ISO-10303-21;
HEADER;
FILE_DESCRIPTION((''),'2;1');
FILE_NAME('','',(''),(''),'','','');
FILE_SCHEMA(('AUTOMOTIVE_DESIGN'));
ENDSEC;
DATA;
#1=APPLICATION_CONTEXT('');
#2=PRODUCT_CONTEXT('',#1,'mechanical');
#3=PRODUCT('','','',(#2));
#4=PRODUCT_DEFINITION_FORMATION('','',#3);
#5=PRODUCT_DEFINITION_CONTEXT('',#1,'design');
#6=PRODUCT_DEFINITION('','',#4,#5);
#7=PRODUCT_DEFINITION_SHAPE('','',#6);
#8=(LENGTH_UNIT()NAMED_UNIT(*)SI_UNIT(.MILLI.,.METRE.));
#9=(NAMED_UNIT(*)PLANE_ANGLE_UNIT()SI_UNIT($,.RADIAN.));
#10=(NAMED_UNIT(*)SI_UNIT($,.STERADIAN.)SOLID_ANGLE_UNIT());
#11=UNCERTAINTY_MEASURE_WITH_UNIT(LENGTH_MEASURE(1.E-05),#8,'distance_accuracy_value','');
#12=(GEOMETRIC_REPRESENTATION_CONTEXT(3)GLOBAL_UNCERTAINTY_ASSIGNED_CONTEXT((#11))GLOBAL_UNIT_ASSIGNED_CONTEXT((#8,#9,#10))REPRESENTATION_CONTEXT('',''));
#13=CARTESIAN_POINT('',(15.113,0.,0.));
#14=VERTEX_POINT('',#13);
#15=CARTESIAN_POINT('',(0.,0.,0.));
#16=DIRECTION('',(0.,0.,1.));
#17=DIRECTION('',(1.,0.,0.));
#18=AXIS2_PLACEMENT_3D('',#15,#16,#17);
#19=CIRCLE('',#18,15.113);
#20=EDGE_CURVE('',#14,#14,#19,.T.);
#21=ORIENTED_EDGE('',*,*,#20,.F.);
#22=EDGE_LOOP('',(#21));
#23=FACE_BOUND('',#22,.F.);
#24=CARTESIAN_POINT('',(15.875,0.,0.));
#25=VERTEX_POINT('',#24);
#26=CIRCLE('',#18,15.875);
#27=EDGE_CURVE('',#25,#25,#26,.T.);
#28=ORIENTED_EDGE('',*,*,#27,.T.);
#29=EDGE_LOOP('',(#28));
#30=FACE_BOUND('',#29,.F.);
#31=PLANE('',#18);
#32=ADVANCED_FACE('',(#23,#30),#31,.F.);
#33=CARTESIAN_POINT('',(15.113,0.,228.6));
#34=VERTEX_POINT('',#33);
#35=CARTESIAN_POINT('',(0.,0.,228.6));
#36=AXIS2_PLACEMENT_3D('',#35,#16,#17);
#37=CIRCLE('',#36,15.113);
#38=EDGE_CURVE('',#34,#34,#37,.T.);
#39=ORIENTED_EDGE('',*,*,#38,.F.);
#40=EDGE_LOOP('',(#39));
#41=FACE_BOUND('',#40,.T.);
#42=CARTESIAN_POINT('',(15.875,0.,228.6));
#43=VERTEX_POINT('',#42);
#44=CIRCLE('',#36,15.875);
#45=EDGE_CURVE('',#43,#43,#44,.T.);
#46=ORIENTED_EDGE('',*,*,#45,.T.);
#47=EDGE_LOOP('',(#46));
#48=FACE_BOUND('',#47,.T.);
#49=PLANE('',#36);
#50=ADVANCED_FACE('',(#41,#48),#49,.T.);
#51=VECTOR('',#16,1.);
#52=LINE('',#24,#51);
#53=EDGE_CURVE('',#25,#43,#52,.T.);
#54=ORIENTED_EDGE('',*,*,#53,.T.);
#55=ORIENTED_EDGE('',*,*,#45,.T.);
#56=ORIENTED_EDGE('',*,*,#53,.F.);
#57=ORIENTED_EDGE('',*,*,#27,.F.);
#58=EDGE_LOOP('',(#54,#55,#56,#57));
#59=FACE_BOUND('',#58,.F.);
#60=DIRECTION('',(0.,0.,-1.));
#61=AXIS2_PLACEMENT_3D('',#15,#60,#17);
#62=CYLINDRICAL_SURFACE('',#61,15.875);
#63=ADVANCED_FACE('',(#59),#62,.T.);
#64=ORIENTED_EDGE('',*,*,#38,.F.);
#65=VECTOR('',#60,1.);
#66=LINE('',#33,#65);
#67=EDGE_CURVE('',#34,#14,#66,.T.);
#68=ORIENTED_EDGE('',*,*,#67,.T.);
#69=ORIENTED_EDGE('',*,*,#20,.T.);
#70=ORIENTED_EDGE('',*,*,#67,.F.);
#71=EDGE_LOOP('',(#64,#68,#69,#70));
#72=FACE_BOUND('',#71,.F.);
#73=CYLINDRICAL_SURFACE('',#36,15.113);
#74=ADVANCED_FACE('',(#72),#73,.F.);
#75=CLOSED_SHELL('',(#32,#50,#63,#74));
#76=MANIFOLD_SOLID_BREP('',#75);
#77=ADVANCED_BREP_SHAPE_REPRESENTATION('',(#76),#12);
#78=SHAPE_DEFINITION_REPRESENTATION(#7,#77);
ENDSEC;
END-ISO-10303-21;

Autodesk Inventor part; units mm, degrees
ref_plane "YZ Plane" through (0, 0, 0) normal (1, 0, 0) x (0, 1, 0)
ref_plane "XZ Plane" through (0, 0, 0) normal (0, 1, 0) x (-1, 0, 0)
ref_plane "XY Plane" through (0, 0, 0) normal (0, 0, 1) x (1, 0, 0)
sketch "Sketch1" plane through (0, 0, 0) normal (0, 0, 1) x (1, 0, 0)
  circle A0 centre (0, 0) radius 15.875
  dimension "d0" = 31.75
extrude "Extrusion1" add sketch "Sketch1" along normal blind 228.6
sketch "Sketch2" plane through (0, 0, 228.6) normal (0, 0, 1) x (1, 0, 0)
  circle A0 centre (0, 0) radius 15.113
  dimension "d3" = 30.226
extrude "Extrusion2" cut sketch "Sketch2" against normal blind 228.6
properties part number "Middle Rod" material "Stainless Steel"
